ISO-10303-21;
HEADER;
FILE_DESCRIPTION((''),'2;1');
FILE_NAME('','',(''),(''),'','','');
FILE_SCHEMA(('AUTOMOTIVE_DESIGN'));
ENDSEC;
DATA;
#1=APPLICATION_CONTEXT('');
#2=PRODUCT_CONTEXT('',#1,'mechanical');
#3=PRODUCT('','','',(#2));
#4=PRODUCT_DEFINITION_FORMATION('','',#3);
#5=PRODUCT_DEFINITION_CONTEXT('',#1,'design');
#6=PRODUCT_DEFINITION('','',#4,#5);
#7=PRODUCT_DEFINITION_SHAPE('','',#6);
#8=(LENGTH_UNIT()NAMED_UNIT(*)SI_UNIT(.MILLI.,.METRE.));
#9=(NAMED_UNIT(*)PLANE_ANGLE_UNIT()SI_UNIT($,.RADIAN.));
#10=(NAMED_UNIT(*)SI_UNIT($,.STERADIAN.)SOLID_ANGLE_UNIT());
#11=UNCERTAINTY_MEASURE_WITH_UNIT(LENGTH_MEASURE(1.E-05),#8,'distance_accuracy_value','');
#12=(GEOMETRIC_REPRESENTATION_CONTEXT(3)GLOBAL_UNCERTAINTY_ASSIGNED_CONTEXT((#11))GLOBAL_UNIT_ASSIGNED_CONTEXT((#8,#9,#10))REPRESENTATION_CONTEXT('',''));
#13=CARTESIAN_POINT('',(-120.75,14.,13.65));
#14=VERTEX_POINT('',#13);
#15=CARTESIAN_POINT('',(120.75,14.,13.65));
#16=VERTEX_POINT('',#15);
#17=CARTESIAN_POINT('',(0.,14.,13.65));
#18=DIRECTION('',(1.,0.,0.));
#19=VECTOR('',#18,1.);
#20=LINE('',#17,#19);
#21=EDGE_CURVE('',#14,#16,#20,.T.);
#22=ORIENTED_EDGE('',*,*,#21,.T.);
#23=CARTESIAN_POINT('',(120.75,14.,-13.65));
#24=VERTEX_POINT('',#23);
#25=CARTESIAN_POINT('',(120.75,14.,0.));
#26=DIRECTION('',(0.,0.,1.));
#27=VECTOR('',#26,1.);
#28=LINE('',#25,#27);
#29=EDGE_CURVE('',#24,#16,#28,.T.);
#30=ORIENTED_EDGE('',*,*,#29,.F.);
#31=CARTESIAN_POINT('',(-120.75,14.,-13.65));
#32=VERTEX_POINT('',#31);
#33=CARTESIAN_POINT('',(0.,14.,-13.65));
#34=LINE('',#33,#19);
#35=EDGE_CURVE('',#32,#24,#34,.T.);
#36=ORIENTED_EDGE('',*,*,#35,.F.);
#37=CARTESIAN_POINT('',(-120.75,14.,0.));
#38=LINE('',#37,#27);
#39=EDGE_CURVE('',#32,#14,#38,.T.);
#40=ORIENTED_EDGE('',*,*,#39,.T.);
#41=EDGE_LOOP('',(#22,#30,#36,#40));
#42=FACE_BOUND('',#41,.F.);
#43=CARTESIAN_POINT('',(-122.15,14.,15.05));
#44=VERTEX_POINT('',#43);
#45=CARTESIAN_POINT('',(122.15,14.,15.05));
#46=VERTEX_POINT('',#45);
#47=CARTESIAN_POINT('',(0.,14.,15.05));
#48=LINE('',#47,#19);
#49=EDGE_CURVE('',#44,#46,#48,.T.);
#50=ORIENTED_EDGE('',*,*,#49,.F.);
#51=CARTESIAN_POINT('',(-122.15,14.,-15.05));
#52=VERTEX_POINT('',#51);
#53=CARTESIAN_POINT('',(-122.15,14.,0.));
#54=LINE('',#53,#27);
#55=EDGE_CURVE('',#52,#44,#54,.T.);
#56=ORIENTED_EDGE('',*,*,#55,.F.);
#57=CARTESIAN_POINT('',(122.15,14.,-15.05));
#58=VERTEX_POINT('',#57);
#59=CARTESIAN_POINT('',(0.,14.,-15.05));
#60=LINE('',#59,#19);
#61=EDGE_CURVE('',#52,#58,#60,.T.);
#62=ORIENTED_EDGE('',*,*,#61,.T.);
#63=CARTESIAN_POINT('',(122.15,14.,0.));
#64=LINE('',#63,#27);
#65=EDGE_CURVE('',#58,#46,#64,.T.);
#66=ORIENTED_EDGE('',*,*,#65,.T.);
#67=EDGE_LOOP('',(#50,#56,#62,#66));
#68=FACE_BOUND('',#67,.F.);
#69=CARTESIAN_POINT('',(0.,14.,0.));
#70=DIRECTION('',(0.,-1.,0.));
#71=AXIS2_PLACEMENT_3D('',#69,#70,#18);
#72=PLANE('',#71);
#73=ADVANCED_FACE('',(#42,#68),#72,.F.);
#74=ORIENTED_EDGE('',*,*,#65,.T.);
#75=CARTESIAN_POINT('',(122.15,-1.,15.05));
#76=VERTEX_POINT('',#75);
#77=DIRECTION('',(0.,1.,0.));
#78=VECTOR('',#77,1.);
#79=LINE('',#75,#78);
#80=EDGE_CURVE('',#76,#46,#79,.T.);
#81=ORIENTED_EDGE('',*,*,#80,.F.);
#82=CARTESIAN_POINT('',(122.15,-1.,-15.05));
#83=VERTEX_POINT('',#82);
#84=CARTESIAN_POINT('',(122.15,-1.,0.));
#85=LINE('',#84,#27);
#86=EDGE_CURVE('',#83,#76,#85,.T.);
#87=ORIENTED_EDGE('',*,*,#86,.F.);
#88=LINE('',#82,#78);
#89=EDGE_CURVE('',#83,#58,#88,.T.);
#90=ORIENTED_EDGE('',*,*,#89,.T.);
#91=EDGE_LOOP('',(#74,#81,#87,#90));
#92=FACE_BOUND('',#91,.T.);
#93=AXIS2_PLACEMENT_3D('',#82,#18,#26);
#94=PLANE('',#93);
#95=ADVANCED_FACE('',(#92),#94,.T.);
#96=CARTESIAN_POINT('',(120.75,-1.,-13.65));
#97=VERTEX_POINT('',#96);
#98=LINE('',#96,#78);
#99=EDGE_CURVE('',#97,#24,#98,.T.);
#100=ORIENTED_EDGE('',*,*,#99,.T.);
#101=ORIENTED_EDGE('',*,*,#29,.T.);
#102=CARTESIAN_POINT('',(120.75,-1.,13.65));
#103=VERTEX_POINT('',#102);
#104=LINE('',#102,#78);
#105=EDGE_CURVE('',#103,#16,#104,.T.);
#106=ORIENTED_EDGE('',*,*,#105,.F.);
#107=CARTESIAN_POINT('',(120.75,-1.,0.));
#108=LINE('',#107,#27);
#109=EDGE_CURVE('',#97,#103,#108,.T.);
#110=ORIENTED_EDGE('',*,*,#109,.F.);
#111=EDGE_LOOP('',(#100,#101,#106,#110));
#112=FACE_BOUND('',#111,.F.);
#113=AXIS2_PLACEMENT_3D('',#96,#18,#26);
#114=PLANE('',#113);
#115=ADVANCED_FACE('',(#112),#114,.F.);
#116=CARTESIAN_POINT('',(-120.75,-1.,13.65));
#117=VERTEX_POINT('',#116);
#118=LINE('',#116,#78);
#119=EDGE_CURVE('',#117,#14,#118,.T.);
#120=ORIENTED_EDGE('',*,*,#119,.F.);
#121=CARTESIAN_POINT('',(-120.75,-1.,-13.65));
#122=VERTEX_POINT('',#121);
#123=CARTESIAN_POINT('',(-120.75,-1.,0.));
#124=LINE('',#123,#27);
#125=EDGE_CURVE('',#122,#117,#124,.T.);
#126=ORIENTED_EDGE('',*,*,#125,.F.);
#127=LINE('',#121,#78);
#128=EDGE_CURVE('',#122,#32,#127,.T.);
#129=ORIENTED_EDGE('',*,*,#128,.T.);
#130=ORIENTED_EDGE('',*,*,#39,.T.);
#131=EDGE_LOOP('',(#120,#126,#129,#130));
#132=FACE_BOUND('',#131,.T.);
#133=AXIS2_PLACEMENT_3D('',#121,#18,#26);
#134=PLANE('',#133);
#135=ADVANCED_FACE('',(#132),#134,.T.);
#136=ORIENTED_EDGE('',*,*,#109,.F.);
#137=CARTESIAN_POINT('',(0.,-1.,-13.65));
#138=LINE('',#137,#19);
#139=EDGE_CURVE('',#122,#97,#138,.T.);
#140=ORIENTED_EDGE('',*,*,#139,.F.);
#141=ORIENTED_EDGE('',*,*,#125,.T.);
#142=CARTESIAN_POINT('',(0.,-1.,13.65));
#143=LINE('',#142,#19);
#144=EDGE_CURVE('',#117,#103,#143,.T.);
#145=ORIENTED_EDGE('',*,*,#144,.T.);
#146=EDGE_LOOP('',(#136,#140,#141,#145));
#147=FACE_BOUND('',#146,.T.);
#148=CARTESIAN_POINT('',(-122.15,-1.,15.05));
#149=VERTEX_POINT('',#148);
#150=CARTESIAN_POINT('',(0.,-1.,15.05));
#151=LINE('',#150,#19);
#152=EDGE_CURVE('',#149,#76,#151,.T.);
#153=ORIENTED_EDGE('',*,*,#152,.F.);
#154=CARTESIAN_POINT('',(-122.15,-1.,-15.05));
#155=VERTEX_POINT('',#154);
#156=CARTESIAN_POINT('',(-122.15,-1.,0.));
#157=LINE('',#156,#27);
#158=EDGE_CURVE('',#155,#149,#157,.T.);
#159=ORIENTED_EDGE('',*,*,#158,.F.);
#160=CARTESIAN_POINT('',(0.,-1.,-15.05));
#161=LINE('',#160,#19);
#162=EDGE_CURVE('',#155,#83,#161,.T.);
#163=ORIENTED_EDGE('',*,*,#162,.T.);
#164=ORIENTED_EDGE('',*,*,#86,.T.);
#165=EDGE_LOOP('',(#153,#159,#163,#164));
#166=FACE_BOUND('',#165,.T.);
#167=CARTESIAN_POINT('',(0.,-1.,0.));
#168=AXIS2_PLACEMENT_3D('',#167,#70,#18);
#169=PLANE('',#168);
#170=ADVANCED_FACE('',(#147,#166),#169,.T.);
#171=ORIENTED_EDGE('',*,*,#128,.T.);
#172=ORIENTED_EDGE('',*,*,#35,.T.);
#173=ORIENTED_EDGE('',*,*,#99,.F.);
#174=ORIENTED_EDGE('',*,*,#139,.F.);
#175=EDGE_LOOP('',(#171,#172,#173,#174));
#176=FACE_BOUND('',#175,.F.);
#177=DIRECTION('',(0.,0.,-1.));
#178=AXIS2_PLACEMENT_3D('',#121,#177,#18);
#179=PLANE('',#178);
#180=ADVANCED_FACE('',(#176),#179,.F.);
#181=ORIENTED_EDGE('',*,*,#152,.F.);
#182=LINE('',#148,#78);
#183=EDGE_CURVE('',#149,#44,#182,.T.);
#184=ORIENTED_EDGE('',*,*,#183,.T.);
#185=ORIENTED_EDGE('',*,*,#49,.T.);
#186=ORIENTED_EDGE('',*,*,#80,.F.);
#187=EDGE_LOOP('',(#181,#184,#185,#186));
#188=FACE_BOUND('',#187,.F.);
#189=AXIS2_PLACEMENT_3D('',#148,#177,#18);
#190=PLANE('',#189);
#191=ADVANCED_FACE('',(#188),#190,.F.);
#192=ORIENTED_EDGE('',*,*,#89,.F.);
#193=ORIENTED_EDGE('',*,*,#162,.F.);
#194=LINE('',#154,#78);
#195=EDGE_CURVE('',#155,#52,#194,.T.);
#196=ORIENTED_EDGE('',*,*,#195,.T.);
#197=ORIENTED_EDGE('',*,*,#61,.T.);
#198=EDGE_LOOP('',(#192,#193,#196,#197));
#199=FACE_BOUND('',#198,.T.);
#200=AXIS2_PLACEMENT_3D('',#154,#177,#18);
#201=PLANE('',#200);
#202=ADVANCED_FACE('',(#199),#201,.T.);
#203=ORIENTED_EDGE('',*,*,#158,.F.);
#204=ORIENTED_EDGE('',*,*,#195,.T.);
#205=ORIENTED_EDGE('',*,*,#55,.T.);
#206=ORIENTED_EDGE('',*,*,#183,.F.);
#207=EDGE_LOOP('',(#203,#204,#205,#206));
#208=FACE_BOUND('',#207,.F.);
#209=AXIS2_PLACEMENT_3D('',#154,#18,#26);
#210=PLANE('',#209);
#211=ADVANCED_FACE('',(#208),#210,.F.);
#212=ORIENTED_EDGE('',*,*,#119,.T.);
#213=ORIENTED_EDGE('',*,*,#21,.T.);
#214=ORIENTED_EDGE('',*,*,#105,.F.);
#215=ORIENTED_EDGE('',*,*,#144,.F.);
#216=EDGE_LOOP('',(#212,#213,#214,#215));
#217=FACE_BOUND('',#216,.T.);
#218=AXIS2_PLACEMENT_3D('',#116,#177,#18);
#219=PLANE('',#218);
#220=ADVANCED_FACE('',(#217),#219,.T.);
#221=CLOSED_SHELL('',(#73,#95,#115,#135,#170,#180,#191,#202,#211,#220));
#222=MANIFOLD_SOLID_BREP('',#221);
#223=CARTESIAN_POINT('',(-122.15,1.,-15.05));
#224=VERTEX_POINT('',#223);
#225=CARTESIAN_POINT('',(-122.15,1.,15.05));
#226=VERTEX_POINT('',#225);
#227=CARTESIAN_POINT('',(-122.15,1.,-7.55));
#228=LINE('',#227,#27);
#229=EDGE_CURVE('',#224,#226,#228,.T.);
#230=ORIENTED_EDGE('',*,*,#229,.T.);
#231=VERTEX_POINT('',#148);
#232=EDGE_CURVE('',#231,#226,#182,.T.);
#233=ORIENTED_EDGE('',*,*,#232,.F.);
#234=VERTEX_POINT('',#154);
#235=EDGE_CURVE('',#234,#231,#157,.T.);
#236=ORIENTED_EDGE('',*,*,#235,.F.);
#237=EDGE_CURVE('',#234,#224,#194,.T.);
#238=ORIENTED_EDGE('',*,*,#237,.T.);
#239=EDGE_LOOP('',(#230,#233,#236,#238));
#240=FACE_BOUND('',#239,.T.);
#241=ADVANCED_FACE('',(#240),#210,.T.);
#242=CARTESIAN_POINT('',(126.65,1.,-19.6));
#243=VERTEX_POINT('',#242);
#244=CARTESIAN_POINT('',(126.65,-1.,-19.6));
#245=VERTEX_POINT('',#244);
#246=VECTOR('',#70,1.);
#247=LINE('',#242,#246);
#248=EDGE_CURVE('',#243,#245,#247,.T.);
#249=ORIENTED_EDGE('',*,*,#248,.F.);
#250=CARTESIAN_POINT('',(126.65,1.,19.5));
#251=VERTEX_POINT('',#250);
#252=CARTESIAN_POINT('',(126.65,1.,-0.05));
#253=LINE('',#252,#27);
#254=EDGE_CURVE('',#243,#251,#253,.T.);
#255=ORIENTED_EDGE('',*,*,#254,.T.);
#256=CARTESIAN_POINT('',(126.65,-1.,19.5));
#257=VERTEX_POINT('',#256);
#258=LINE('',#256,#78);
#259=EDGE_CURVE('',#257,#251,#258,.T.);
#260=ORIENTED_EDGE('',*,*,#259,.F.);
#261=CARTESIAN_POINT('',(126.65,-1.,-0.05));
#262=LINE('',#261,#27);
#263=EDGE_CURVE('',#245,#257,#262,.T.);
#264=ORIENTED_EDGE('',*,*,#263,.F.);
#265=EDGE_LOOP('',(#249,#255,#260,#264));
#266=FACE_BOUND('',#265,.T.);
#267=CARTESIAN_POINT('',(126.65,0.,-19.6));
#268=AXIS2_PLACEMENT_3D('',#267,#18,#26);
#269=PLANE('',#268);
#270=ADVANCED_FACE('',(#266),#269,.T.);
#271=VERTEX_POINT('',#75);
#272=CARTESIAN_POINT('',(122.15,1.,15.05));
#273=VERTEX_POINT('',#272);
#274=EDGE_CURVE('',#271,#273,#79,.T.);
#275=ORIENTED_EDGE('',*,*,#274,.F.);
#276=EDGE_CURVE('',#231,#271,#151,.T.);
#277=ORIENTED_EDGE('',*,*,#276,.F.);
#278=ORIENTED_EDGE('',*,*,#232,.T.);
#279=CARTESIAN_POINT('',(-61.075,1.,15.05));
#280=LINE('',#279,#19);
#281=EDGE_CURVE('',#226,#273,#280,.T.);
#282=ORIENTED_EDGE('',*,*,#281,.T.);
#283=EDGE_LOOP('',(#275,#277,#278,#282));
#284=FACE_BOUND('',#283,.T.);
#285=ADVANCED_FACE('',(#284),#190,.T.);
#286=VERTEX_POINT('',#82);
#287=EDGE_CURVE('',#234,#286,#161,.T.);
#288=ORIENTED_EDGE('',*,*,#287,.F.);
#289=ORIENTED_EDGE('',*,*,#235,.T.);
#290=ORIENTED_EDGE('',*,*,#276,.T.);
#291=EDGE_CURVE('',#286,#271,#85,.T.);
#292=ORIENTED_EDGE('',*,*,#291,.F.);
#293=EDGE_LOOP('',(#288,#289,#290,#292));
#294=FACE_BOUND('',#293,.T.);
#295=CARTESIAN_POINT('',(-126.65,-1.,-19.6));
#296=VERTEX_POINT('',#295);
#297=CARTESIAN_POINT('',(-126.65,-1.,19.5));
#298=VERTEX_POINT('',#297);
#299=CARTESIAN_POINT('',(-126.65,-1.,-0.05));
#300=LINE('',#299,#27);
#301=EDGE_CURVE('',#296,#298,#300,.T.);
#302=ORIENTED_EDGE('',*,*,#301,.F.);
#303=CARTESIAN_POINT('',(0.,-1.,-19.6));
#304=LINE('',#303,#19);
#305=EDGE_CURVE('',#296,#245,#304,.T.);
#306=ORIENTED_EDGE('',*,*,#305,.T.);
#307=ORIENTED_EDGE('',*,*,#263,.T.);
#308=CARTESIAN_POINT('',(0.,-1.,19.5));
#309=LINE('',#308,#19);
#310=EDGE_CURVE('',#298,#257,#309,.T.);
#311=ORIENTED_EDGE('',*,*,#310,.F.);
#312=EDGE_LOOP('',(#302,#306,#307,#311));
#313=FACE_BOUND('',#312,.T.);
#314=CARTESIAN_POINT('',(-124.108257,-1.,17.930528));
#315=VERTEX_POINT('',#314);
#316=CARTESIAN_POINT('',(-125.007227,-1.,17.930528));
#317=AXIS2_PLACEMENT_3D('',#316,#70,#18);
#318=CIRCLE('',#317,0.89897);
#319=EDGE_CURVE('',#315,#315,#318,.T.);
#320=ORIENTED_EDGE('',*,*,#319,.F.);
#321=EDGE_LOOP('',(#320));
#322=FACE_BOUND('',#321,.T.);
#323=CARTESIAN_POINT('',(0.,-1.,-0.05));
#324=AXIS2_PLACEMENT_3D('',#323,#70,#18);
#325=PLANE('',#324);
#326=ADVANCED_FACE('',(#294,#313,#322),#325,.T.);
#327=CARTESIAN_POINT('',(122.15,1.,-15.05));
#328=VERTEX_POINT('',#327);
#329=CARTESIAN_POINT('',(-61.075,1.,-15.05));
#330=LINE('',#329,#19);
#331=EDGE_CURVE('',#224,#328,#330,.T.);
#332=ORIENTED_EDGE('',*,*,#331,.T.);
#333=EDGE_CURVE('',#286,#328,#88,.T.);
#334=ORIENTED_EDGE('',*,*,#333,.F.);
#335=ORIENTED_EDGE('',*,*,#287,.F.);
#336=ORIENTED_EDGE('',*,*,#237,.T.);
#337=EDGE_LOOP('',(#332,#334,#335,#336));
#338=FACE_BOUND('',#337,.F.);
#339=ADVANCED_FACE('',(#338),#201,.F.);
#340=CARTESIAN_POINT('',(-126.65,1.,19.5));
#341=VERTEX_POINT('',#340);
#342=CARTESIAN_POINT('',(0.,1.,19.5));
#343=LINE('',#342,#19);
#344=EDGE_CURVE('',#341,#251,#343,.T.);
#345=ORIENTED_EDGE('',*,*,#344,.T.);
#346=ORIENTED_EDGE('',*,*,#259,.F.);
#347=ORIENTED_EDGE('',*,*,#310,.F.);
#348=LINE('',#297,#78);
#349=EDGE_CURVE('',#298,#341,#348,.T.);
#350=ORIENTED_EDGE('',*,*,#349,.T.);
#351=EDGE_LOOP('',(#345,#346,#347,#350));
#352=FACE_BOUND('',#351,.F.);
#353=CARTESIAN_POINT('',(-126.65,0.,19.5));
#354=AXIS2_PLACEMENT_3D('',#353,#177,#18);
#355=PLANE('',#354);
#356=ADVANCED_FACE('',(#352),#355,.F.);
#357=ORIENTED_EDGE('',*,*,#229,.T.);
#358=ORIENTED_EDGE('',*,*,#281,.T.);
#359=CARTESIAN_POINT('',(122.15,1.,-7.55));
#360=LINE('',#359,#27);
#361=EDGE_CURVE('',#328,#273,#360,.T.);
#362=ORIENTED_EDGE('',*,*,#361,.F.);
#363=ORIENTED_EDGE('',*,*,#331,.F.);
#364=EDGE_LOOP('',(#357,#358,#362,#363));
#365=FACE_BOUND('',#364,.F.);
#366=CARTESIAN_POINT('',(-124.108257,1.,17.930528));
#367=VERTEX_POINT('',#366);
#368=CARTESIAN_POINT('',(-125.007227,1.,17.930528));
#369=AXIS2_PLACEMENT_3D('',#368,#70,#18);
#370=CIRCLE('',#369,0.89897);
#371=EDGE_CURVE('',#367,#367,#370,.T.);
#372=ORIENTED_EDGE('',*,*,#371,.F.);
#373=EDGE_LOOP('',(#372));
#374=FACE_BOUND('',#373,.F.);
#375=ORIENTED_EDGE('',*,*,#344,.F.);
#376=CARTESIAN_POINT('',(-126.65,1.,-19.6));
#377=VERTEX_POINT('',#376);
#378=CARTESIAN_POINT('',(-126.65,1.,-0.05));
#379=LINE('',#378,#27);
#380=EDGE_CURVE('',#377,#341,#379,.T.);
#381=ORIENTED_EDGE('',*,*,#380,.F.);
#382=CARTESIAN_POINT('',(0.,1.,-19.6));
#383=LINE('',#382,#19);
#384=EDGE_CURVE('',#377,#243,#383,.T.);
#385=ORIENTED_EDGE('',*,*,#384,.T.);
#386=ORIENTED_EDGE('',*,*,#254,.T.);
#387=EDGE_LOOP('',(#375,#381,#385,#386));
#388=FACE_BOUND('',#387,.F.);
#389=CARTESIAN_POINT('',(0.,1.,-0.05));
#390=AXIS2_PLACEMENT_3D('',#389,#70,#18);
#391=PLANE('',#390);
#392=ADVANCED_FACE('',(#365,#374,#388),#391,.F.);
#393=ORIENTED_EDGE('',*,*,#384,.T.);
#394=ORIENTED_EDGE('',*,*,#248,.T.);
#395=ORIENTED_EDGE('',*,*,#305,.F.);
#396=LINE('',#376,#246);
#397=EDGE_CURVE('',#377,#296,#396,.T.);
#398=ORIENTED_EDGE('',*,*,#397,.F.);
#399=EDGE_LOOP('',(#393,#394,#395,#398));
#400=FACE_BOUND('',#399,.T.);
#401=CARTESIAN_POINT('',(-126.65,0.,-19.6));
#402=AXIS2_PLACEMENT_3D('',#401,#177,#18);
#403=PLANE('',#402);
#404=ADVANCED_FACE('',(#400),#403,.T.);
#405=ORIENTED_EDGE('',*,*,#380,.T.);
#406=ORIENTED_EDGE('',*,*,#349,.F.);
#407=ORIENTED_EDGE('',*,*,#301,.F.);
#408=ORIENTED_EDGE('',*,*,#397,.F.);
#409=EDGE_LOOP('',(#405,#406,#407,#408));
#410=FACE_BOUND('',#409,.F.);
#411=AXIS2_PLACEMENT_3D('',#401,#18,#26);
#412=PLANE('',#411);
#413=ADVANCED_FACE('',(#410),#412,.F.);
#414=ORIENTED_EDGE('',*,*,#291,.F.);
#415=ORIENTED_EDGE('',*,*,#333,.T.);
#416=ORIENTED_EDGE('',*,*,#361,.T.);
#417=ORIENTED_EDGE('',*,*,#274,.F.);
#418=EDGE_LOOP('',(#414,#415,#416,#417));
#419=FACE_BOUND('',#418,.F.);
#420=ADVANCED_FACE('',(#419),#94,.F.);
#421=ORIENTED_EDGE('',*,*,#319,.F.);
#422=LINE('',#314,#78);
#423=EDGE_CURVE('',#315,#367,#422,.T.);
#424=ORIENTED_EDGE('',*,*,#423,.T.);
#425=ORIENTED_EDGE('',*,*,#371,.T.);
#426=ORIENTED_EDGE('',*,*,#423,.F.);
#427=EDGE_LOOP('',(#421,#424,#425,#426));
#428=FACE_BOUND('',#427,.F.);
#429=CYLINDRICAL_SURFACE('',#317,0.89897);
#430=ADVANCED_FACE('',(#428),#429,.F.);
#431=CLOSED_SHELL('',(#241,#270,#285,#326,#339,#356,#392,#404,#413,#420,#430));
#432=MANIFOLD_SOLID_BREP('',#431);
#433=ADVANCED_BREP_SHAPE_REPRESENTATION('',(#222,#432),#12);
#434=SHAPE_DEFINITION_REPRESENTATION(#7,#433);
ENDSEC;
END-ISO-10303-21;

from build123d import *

# Parameters (mm, degrees)
F0_W     = 253.3
F0_H     = 39.1
F1_DEPTH = 1
F2_W     = 244.3
F2_H     = 30.1
F3_DEPTH = 2.001
F4_W     = 244.3
F4_H     = 30.1
F4_W_2   = 241.5
F4_H_2   = 27.3
F5_DEPTH = 15
F8_R     = 0.89897
F9_DEPTH = 50


with BuildPart() as f1:
    # F0 (on Front) → F1 (new body, symmetric)
    with BuildSketch(Plane.XZ):
        with Locations((0, -0.05)):
            Rectangle(F0_W, F0_H)
    extrude(amount=F1_DEPTH, both=True)

    # F2 (on face) → F3 (cut, through all)
    with BuildSketch(Plane.XZ.offset(1)):
        Rectangle(F2_W, F2_H)
    extrude(amount=-F3_DEPTH, mode=Mode.SUBTRACT)

    # F8 (on face) → F9 (cut)
    with BuildSketch(Plane.XZ.offset(1)):
        with Locations((-125.007227, 17.930528)):
            Circle(F8_R)
    extrude(amount=-F9_DEPTH, mode=Mode.SUBTRACT)


with BuildPart() as f5:
    # F4 (on face) → F5 (new body)
    with BuildSketch(Plane.XZ.offset(1)):
        Rectangle(F4_W, F4_H)
        Rectangle(F4_W_2, F4_H_2, mode=Mode.SUBTRACT)
    extrude(amount=-F5_DEPTH)


solid = Compound([f1.part, f5.part])
